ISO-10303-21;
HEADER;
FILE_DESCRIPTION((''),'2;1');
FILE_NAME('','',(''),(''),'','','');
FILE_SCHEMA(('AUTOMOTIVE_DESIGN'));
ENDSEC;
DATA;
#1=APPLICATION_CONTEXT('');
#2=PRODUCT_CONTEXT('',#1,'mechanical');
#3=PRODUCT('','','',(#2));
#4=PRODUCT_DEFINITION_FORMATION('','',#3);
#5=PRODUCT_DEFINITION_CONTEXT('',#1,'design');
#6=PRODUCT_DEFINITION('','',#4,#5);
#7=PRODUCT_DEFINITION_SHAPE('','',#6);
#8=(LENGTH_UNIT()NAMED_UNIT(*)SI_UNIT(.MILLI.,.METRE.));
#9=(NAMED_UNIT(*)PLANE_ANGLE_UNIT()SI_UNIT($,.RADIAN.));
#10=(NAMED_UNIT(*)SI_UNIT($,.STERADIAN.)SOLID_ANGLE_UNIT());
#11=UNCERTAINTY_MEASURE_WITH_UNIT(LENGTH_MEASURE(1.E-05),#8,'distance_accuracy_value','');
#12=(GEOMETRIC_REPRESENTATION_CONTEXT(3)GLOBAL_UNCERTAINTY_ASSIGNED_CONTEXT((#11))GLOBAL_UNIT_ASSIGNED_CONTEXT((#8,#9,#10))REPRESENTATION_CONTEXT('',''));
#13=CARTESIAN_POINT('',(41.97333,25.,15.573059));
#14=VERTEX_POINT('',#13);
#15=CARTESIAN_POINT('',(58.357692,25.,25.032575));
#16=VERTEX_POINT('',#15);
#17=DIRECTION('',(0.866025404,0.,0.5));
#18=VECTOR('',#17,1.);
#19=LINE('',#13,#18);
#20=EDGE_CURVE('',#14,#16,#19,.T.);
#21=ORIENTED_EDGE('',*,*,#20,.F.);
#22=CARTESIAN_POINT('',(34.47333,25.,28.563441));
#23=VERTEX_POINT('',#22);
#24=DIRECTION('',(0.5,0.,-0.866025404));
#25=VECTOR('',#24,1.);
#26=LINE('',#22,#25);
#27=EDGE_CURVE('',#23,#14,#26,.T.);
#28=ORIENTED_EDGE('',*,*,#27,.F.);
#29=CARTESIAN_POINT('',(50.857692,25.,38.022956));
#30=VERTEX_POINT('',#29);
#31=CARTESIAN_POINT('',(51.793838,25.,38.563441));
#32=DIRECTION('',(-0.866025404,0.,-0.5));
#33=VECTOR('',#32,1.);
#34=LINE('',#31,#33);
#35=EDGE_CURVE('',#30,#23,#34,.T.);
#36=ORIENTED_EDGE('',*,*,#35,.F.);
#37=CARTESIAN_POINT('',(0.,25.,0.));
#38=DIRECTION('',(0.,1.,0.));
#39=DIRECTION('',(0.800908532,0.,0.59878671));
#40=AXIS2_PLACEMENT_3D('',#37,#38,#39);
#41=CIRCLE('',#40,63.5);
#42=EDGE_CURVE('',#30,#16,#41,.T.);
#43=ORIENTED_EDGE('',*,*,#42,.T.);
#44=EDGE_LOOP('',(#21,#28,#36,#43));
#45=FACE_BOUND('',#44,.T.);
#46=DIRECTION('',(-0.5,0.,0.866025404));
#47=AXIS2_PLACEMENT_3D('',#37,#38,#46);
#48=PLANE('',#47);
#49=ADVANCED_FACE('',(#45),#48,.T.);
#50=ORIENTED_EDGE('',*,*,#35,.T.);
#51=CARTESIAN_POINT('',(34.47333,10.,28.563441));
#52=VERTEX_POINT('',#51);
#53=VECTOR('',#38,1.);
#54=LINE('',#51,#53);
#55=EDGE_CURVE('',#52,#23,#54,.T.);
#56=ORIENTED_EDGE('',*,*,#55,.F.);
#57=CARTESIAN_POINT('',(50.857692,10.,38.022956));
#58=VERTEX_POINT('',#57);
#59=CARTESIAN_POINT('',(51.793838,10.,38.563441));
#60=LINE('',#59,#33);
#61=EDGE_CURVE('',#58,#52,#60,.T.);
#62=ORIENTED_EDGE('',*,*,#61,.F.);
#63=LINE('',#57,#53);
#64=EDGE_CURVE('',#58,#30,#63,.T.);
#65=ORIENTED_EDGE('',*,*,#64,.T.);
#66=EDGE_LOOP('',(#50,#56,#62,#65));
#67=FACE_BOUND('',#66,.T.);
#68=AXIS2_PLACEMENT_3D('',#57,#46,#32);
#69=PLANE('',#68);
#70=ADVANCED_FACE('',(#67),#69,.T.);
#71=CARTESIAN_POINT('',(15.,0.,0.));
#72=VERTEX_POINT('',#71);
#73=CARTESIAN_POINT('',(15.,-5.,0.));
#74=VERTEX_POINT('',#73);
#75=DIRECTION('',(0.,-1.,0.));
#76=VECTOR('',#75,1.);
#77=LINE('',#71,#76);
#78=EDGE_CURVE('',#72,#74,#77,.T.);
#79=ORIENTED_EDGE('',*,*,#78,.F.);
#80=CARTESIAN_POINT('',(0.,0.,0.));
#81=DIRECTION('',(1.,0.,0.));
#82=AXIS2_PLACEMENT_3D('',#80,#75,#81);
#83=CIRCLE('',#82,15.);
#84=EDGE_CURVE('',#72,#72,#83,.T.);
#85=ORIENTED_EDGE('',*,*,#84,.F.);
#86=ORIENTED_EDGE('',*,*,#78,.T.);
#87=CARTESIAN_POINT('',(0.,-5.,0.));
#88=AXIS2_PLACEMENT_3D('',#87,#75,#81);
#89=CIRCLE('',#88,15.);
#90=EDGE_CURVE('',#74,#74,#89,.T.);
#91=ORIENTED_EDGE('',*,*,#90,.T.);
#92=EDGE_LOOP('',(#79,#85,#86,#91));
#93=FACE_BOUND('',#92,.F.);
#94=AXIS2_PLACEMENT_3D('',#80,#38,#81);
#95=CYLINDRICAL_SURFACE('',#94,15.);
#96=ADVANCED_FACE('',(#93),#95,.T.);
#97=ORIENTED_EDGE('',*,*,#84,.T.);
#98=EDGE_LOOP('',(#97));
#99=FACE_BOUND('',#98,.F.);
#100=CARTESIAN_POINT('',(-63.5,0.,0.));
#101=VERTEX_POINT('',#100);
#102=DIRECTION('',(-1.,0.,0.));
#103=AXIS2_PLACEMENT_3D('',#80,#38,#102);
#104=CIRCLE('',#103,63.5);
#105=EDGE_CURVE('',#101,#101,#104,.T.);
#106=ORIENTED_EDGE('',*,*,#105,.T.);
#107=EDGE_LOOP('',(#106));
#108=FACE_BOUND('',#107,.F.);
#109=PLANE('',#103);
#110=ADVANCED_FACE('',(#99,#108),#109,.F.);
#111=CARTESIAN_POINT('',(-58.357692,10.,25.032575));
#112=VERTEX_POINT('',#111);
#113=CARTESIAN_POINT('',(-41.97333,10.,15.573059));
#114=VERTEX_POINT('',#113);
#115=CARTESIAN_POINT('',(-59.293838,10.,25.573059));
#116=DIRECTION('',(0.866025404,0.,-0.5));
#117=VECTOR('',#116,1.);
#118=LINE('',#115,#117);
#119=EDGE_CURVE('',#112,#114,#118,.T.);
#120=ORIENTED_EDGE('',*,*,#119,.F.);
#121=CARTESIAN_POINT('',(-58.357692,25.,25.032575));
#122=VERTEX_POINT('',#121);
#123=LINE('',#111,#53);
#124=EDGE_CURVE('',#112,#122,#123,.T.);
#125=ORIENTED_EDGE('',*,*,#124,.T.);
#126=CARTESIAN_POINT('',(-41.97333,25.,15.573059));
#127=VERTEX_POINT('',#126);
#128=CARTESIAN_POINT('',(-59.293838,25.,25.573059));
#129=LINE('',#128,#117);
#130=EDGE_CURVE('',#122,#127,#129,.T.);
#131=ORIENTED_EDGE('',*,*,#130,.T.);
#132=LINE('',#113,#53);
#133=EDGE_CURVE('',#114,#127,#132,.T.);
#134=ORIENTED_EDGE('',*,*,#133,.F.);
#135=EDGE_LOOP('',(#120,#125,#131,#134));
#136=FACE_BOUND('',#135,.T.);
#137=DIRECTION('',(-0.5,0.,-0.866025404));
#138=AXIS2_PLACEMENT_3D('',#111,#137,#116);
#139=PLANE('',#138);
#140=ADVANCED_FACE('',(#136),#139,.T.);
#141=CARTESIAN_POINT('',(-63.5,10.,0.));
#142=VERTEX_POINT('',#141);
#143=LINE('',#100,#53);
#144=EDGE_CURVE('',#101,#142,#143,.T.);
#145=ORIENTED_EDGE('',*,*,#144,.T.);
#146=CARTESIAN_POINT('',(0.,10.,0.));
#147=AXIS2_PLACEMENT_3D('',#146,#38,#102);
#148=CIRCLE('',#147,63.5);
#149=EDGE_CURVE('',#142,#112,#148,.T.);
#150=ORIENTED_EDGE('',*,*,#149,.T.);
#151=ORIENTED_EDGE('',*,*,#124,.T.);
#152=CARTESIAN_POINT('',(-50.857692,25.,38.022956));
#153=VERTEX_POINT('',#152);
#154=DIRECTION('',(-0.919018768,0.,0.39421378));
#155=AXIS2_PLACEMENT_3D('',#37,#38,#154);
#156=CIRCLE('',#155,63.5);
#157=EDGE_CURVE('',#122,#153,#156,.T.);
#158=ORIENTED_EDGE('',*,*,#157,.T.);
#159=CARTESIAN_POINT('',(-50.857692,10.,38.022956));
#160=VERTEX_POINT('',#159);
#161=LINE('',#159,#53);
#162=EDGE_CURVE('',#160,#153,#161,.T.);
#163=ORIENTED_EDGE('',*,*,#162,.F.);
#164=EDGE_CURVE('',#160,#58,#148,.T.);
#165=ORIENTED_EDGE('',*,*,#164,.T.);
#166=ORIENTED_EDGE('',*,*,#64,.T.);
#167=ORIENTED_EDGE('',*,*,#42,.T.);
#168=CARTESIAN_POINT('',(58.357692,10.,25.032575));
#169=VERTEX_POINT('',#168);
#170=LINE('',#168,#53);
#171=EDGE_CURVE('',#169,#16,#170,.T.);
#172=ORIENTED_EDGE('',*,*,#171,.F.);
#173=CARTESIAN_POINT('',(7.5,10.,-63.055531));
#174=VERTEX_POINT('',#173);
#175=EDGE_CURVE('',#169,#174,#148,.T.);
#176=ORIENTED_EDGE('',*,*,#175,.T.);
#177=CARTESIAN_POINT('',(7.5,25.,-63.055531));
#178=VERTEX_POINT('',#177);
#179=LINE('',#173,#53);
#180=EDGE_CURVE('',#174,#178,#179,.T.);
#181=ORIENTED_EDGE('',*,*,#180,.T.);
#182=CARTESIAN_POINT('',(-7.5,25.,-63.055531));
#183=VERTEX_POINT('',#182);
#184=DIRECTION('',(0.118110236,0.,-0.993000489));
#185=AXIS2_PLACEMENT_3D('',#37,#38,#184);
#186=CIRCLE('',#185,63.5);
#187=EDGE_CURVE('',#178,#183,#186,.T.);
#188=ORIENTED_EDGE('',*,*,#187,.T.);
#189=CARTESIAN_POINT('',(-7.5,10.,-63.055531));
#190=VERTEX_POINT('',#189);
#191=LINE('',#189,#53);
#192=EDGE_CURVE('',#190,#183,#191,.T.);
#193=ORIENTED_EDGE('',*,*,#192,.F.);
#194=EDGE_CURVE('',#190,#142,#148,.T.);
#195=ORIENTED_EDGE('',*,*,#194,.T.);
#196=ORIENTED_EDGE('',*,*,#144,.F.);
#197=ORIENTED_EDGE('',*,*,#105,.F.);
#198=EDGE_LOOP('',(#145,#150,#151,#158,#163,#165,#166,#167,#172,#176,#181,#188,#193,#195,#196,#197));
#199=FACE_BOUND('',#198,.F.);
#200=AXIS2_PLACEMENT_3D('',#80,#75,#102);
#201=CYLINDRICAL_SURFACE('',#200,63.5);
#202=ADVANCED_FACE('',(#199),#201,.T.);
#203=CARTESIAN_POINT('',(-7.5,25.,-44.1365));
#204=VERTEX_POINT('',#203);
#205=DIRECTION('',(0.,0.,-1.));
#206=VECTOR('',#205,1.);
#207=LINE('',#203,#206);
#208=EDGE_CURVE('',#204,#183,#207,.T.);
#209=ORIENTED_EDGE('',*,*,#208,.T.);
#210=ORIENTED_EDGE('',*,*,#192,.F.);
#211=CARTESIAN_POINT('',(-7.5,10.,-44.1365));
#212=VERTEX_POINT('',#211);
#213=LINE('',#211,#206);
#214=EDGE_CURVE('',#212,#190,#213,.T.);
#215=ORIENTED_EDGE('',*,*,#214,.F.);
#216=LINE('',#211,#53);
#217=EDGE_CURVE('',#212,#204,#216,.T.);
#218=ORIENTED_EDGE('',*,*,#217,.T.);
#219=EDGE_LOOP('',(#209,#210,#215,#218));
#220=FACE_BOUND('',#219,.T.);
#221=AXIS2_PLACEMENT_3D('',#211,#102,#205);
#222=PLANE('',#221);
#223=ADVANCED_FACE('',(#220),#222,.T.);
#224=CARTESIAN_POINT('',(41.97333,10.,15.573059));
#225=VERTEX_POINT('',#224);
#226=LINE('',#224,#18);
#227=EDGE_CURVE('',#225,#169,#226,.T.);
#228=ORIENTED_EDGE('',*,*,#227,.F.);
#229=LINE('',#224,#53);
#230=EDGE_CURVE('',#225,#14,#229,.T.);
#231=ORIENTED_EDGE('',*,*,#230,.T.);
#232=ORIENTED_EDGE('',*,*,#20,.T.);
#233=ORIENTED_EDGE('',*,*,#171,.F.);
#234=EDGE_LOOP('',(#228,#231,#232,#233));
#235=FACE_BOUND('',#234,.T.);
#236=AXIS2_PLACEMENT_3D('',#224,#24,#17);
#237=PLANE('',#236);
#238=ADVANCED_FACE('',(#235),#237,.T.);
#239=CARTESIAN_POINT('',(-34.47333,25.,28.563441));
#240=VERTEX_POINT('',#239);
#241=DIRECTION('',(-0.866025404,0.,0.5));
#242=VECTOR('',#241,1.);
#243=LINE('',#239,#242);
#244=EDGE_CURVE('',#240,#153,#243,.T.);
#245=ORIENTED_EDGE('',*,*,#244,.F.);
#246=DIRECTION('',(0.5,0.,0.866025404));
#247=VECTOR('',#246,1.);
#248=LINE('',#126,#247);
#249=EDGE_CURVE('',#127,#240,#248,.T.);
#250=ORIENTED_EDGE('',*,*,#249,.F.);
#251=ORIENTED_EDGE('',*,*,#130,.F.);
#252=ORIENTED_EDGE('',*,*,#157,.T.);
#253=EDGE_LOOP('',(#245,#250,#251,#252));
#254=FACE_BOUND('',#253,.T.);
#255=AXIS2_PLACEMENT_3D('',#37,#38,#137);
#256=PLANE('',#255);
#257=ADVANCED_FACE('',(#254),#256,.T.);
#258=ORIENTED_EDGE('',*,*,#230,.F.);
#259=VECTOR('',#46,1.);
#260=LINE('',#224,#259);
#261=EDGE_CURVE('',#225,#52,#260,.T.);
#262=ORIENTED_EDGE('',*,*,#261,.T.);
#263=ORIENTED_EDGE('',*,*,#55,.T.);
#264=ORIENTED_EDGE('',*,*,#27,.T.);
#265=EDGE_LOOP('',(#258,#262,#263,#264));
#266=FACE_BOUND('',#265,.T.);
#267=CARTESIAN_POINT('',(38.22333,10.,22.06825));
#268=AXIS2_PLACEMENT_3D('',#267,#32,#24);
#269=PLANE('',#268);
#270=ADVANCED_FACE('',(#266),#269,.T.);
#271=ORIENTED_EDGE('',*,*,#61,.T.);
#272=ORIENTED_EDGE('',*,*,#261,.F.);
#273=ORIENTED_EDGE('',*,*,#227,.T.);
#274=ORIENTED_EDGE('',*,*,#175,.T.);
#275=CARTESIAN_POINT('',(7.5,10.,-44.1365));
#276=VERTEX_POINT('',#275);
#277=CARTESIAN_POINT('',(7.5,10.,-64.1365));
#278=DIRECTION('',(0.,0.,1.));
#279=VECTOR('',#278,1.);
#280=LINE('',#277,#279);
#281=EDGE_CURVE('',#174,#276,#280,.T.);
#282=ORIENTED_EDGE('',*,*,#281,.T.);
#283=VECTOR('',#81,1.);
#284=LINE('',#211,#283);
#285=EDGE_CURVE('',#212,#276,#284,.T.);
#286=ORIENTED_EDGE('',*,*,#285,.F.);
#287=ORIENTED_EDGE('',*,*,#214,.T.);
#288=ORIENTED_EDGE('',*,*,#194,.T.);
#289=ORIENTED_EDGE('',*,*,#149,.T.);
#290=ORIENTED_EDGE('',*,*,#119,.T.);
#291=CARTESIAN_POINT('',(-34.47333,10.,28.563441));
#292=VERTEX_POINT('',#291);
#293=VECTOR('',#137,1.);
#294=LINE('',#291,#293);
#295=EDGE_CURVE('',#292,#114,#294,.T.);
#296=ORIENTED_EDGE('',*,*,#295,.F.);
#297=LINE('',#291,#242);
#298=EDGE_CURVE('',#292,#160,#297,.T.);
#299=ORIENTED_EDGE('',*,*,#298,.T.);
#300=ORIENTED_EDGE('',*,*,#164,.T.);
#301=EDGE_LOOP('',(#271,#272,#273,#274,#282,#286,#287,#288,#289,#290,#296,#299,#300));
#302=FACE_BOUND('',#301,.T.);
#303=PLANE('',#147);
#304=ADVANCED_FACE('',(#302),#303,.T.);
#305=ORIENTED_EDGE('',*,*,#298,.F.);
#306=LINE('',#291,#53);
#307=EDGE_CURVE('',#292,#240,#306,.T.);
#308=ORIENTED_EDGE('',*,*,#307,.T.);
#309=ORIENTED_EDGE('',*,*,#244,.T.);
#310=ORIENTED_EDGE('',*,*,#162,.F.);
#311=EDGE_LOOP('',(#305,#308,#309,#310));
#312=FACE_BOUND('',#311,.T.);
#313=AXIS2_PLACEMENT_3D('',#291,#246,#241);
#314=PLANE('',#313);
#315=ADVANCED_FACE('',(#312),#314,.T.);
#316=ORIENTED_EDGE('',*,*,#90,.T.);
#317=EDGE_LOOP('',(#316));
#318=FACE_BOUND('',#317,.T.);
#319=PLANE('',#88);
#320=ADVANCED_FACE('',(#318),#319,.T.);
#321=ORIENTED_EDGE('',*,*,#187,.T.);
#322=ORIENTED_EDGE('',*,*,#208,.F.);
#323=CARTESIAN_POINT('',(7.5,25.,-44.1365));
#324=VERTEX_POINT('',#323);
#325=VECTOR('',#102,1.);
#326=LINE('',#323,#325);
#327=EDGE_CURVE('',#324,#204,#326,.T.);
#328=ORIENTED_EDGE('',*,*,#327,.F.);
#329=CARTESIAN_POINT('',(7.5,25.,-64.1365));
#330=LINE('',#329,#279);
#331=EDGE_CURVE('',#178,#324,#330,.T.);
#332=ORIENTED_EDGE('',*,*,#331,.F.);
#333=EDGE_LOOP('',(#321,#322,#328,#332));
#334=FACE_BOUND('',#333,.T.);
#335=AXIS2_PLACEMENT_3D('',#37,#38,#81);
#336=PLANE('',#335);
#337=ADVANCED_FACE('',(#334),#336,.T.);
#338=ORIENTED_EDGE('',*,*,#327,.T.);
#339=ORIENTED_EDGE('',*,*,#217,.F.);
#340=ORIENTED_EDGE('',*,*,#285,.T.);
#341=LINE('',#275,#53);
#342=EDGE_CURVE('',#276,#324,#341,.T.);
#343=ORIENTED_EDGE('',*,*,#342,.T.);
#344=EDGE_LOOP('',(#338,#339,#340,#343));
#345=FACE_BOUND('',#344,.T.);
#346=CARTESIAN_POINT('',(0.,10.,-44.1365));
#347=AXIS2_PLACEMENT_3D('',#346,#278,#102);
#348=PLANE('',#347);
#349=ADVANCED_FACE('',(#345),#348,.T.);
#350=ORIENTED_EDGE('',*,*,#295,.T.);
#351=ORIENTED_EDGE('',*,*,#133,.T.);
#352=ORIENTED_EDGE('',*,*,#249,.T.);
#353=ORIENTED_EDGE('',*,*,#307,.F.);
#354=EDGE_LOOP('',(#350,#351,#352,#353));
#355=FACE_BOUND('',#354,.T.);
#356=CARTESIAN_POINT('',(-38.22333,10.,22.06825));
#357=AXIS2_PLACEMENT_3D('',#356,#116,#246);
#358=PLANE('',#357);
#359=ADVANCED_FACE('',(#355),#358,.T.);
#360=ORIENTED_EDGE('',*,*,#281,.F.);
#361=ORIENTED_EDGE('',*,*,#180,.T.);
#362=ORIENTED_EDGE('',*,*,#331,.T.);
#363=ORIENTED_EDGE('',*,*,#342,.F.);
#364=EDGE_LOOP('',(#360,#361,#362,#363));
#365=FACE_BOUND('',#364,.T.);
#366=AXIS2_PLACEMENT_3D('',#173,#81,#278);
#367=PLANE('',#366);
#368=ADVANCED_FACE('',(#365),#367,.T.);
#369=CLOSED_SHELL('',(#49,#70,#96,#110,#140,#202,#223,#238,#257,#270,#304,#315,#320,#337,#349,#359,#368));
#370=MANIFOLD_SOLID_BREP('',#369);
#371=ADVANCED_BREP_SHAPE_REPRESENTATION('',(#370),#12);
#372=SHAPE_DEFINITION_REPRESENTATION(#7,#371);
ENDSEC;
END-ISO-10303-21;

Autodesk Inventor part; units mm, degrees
ref_plane "YZ Plane" through (0, 0, 0) normal (1, 0, 0) x (0, 1, 0)
ref_plane "XZ Plane" through (0, 0, 0) normal (0, 1, 0) x (-1, 0, 0)
ref_plane "XY Plane" through (0, 0, 0) normal (0, 0, 1) x (1, 0, 0)
sketch "Sketch1" plane through (0, 0, 0) normal (0, 1, 0) x (-1, 0, 0)
  circle A0 centre (0, 0) radius 63.5
  dimension "d0" = 127
extrude "Extrusion1" add sketch "Sketch1" along normal blind 10
sketch "Sketch2" plane through (0, 10, 0) normal (0, 1, 0) x (1, 0, 0)
  line L0 (0, 0) -> (0, 63.7295)
  circle A0 centre (0, 0) radius 63.5 projected
  line L1 (7.5, 44.1365) -> (-7.5, 44.1365)
  line L2 (-7.5, 44.1365) -> (-7.5, 64.1365)
  line L3 (-7.5, 64.1365) -> (7.5, 64.1365)
  line L4 (7.5, 64.1365) -> (7.5, 44.1365)
  line L5 (7.5, 44.1365) -> (-7.5, 64.1365) construction
  line L6 (-7.5, 44.1365) -> (7.5, 64.1365) construction
  point P0 (0, 54.1365)
  point P1 (-7.5, 63.0555)
  point P2 (7.5, 63.0555)
  dimension "d3" = 15
  dimension "d4" = 20
extrude "Extrusion2" add sketch "Sketch2" along normal blind 15 contours L1 L2 A0 L0 | L0 A0 L4 L1
pattern_circular "Circular Pattern1" count 3 over 360 about axis through (0, 0, 0) along (0, 1, 0) of "Extrusion2"
sketch "Sketch3" plane through (0, 0, 0) normal (0, -1, 0) x (1, 0, 0)
  circle A0 centre (0, 0) radius 15
  dimension "d10" = 30
extrude "Extrusion3" add sketch "Sketch3" along normal blind 5
properties part number "PM Base"
